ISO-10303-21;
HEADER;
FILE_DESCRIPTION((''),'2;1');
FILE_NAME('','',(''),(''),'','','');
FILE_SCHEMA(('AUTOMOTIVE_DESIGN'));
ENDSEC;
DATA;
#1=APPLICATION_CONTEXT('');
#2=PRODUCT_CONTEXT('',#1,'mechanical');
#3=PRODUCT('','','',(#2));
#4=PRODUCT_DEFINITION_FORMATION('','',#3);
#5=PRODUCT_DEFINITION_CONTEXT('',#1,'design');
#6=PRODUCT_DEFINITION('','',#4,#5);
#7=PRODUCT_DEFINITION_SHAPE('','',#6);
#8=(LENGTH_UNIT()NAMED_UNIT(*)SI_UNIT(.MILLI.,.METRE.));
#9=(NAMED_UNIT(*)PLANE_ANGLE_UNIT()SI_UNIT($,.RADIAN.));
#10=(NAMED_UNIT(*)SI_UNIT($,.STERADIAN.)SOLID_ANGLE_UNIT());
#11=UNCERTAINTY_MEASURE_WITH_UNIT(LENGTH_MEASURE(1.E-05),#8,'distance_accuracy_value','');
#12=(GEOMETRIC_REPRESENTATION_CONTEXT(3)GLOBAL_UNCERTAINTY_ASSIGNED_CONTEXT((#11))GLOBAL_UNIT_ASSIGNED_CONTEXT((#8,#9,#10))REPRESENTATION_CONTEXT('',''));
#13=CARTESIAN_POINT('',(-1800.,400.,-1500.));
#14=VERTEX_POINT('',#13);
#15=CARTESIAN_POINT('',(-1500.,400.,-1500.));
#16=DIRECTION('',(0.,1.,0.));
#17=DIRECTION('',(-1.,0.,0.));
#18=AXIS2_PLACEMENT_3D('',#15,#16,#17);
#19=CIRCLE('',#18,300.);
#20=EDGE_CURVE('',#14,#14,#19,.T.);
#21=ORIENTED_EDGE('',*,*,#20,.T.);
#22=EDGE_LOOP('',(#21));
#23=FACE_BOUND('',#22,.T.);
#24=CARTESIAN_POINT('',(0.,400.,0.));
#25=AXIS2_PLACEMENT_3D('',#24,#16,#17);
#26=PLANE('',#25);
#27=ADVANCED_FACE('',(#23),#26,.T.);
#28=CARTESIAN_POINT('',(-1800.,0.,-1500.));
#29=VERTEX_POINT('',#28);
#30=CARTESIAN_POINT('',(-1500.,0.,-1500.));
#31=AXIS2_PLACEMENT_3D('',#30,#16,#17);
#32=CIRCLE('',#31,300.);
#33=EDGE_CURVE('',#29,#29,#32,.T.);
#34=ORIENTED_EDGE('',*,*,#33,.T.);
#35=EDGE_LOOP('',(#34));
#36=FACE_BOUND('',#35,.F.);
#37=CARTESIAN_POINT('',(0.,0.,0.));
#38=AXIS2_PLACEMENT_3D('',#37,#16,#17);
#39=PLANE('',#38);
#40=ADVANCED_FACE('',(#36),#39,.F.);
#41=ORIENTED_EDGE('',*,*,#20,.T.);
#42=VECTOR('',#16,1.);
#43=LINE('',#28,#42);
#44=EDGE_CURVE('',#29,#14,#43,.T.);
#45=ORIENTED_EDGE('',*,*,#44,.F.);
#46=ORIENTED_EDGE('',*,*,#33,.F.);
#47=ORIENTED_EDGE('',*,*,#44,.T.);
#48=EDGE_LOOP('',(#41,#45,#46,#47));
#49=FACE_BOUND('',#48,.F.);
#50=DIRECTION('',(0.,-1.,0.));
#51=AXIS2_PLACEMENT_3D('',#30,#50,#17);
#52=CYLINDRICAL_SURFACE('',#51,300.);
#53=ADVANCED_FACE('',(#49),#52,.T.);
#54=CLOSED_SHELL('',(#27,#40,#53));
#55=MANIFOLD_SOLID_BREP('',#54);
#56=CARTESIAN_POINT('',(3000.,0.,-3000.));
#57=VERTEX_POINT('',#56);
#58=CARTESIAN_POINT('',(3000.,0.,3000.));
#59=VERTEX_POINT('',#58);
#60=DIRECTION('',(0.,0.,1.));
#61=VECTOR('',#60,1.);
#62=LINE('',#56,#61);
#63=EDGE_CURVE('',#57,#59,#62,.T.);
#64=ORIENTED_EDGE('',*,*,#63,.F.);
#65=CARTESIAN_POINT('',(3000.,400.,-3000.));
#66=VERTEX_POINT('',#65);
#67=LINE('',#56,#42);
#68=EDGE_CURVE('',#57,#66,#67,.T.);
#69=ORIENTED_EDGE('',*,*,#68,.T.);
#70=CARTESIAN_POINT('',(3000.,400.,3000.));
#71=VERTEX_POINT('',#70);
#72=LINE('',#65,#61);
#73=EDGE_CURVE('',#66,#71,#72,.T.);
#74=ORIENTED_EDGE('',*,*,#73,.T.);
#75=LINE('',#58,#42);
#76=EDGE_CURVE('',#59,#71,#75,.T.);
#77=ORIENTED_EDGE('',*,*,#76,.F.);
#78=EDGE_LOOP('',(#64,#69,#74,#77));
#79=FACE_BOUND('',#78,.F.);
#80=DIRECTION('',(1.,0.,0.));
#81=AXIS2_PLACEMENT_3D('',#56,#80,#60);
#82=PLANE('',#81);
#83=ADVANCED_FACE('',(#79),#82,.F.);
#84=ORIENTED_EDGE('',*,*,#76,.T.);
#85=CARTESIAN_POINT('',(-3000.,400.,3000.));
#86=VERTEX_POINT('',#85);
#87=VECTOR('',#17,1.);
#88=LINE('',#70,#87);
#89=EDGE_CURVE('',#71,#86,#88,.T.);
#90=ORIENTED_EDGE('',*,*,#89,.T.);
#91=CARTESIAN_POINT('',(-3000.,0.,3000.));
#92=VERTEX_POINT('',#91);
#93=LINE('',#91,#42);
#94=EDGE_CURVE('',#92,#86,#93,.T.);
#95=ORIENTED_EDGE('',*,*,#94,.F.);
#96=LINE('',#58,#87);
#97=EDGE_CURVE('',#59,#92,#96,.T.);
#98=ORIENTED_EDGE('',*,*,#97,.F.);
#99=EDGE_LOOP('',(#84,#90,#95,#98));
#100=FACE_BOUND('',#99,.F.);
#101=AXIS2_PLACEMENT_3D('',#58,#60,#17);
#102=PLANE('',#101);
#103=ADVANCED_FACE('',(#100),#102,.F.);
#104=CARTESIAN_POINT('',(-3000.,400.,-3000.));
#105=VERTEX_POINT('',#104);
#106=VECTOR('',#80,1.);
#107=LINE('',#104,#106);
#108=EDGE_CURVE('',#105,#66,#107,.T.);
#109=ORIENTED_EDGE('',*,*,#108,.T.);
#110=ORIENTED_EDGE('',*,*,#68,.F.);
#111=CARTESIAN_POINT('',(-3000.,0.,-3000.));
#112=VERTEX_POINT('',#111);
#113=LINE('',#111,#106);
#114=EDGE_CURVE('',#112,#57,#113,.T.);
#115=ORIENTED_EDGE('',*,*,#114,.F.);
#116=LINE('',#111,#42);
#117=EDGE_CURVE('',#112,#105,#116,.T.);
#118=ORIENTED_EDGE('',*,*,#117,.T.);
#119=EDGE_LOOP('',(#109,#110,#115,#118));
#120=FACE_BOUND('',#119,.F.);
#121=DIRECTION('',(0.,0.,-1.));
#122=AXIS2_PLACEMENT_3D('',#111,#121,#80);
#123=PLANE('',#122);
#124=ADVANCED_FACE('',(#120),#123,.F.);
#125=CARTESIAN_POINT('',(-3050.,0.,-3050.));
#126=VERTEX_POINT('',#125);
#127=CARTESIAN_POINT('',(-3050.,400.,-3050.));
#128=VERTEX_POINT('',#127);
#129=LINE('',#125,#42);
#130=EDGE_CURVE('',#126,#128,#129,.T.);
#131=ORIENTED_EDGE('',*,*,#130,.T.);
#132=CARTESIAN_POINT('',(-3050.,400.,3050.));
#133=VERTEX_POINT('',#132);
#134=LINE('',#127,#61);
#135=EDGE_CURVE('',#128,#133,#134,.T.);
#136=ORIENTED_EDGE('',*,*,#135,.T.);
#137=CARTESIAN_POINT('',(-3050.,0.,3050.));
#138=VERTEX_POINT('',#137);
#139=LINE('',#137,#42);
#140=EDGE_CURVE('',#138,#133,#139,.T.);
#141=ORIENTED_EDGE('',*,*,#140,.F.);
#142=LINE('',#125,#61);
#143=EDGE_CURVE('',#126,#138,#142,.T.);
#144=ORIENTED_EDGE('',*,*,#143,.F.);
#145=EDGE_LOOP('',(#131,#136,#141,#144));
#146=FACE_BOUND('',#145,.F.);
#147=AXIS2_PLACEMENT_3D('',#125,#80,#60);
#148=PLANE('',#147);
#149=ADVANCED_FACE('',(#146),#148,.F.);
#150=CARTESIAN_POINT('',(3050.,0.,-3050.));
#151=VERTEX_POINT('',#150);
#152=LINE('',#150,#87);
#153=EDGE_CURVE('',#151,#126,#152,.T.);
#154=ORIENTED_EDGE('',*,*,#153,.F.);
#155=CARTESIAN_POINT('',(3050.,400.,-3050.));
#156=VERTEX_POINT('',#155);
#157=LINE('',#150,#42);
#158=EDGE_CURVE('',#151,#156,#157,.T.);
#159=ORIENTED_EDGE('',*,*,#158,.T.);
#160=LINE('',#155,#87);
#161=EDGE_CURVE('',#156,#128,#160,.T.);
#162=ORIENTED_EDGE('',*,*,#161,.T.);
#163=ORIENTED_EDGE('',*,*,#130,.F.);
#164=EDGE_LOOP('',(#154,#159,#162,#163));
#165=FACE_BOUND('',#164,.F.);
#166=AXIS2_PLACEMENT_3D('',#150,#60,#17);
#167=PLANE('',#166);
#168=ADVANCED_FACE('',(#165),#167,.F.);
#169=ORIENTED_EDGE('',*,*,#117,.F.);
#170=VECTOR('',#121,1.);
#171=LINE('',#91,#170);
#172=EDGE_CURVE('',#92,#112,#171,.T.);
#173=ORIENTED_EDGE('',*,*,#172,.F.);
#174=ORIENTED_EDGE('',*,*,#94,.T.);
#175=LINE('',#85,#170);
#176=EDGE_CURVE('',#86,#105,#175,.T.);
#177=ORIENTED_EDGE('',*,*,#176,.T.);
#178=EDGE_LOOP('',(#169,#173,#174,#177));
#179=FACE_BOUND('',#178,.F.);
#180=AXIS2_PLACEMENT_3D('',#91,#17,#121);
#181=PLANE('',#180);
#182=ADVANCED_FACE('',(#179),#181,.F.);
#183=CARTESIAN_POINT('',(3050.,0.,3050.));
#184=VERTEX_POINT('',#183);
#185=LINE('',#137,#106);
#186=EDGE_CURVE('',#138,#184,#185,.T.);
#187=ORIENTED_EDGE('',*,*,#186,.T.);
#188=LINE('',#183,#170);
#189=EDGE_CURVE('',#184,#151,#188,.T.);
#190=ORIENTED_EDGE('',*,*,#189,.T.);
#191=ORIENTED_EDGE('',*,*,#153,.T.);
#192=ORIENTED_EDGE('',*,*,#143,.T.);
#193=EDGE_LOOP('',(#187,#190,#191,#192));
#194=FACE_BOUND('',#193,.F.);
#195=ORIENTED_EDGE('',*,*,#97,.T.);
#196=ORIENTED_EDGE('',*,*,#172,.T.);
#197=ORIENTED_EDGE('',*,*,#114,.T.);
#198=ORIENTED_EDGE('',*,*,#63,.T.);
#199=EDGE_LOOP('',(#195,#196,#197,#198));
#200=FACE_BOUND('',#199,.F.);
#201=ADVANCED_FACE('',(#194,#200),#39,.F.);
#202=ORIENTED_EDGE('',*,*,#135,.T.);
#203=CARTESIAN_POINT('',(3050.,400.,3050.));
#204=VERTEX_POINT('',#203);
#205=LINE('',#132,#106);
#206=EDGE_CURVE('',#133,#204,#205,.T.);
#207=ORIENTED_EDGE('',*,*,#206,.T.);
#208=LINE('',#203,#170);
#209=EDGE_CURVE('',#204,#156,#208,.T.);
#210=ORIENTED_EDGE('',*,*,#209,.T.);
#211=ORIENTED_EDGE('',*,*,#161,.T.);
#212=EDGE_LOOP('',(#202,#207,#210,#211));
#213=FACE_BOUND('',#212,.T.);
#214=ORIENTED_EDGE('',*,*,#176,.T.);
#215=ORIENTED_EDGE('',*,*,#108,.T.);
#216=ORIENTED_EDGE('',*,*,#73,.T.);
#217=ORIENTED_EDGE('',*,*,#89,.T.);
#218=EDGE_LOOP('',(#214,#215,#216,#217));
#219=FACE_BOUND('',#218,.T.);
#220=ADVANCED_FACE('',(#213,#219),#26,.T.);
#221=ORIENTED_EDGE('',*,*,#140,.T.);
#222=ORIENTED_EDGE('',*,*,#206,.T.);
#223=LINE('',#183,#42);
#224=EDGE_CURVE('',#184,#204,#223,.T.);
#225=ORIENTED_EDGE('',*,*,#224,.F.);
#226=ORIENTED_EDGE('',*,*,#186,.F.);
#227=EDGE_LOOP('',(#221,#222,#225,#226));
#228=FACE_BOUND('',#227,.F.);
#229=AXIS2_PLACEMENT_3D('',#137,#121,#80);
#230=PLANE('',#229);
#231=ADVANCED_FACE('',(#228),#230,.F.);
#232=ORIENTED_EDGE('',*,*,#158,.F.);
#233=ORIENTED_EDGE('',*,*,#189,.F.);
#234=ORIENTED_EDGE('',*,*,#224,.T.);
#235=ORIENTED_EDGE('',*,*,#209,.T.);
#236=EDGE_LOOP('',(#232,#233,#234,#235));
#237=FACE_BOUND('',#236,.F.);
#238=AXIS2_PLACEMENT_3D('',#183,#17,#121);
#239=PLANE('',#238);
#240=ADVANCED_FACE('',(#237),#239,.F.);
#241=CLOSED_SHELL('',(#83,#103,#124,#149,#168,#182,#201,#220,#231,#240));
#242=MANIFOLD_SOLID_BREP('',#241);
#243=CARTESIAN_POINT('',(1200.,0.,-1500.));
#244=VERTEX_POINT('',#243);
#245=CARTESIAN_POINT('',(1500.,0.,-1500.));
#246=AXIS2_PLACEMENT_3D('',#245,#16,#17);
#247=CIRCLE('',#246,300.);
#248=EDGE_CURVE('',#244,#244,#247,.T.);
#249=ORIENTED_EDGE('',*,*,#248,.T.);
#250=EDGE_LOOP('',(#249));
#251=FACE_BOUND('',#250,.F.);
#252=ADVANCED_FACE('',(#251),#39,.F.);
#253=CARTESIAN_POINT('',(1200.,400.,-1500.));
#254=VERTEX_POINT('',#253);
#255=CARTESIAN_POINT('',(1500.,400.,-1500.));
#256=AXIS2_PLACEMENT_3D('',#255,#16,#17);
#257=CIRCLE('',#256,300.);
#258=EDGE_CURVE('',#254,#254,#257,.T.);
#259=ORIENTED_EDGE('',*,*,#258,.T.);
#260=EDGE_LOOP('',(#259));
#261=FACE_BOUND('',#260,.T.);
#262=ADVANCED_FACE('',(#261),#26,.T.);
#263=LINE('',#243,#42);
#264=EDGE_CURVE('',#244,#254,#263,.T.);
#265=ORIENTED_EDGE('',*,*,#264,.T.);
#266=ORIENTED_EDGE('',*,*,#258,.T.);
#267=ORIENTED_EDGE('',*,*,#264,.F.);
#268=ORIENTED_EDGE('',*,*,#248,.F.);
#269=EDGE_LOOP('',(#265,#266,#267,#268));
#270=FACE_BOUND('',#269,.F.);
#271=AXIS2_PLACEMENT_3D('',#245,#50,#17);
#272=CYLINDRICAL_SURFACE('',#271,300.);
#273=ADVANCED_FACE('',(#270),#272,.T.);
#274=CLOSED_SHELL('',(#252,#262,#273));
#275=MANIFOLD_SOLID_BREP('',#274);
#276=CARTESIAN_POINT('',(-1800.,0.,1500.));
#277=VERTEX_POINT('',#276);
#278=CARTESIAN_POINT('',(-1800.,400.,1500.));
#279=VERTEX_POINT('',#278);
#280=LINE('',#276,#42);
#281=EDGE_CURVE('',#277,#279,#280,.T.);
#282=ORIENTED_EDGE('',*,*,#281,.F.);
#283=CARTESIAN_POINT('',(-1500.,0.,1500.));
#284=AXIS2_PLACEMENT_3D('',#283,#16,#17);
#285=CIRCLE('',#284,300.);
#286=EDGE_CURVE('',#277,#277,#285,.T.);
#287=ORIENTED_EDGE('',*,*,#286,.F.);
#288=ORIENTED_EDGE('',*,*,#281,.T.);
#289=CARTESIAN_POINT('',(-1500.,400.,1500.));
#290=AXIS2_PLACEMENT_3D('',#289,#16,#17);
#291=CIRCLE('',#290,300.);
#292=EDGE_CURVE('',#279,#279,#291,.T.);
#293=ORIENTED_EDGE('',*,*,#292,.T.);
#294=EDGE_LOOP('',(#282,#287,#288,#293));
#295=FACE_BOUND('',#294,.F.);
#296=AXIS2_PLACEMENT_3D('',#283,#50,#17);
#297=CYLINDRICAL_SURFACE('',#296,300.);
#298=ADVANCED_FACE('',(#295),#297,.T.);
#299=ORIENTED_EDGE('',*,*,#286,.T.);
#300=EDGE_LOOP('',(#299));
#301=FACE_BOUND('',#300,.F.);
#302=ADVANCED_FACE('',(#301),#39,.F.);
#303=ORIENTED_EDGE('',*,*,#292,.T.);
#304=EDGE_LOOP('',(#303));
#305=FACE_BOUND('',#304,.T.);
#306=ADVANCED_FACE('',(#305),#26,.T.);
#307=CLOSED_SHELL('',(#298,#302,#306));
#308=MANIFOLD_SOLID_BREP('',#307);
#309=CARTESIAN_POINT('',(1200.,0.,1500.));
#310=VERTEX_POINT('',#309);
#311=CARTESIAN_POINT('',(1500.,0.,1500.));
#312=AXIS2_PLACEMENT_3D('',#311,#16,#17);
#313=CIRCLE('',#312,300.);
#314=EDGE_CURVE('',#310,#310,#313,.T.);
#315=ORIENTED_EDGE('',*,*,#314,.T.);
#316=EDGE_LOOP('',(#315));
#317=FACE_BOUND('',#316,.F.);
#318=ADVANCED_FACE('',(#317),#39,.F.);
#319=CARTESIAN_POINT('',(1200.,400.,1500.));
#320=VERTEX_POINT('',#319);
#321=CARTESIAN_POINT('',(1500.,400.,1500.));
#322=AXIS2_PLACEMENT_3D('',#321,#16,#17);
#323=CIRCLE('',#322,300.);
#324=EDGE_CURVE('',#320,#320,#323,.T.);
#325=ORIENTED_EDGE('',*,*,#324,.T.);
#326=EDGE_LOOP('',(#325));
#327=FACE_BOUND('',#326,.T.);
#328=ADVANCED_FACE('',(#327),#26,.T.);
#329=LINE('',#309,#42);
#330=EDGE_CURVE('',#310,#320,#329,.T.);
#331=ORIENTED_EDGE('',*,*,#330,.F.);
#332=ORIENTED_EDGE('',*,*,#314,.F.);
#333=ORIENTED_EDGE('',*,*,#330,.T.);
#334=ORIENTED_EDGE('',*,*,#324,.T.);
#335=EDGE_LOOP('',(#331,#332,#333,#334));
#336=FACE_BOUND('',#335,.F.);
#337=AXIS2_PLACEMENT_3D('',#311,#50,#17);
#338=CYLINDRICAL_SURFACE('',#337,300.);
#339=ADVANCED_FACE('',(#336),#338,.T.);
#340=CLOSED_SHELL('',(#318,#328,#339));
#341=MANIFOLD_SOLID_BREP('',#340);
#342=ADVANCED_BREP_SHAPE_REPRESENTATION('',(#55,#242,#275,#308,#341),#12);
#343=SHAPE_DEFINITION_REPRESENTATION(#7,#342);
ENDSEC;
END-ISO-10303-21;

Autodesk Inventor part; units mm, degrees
ref_plane "YZ Plane" through (0, 0, 0) normal (1, 0, 0) x (0, 1, 0)
ref_plane "XZ Plane" through (0, 0, 0) normal (0, 1, 0) x (-1, 0, 0)
ref_plane "XY Plane" through (0, 0, 0) normal (0, 0, 1) x (1, 0, 0)
sketch "Sketch1" plane through (0, 0, 0) normal (0, 1, 0) x (-1, 0, 0)
  line L0 (3000, -3000) -> (-3000, -3000)
  line L1 (-3000, -3000) -> (-3000, 3000)
  line L2 (-3000, 3000) -> (3000, 3000)
  line L3 (3000, 3000) -> (3000, -3000)
  line L4 (3000, -3000) -> (-3000, 3000) construction
  line L5 (-3000, -3000) -> (3000, 3000) construction
  line L6 (-3050, -3050) -> (3050, -3050)
  line L7 (3050, -3050) -> (3050, 3050)
  line L8 (3050, 3050) -> (-3050, 3050)
  line L9 (-3050, 3050) -> (-3050, -3050)
  circle A0 centre (1500, -1500) radius 300
  circle A1 centre (-1500, -1500) radius 300
  circle A2 centre (-1500, 1500) radius 300
  circle A3 centre (1500, 1500) radius 300
  line L10 (1500, -1500) -> (-1500, -1500) construction
  line L11 (-1500, 1500) -> (-1500, -1500) construction
  line L12 (-1500, 1500) -> (1500, 1500) construction
  line L13 (1500, 1500) -> (1500, -1500) construction
  point P0 (0, 0)
  dimension "d0" = 6000
  dimension "d1" = 6000
  dimension "d2" = 50
  dimension "d3" = 600
  dimension "d4" = 600
  dimension "d5" = 600
  dimension "d6" = 600
  dimension "d7" = 3000
extrude "Extrusion1" add sketch "Sketch1" along normal blind 400
equation "\"d7\" = 0.5 * d1"
properties part number "map1"
